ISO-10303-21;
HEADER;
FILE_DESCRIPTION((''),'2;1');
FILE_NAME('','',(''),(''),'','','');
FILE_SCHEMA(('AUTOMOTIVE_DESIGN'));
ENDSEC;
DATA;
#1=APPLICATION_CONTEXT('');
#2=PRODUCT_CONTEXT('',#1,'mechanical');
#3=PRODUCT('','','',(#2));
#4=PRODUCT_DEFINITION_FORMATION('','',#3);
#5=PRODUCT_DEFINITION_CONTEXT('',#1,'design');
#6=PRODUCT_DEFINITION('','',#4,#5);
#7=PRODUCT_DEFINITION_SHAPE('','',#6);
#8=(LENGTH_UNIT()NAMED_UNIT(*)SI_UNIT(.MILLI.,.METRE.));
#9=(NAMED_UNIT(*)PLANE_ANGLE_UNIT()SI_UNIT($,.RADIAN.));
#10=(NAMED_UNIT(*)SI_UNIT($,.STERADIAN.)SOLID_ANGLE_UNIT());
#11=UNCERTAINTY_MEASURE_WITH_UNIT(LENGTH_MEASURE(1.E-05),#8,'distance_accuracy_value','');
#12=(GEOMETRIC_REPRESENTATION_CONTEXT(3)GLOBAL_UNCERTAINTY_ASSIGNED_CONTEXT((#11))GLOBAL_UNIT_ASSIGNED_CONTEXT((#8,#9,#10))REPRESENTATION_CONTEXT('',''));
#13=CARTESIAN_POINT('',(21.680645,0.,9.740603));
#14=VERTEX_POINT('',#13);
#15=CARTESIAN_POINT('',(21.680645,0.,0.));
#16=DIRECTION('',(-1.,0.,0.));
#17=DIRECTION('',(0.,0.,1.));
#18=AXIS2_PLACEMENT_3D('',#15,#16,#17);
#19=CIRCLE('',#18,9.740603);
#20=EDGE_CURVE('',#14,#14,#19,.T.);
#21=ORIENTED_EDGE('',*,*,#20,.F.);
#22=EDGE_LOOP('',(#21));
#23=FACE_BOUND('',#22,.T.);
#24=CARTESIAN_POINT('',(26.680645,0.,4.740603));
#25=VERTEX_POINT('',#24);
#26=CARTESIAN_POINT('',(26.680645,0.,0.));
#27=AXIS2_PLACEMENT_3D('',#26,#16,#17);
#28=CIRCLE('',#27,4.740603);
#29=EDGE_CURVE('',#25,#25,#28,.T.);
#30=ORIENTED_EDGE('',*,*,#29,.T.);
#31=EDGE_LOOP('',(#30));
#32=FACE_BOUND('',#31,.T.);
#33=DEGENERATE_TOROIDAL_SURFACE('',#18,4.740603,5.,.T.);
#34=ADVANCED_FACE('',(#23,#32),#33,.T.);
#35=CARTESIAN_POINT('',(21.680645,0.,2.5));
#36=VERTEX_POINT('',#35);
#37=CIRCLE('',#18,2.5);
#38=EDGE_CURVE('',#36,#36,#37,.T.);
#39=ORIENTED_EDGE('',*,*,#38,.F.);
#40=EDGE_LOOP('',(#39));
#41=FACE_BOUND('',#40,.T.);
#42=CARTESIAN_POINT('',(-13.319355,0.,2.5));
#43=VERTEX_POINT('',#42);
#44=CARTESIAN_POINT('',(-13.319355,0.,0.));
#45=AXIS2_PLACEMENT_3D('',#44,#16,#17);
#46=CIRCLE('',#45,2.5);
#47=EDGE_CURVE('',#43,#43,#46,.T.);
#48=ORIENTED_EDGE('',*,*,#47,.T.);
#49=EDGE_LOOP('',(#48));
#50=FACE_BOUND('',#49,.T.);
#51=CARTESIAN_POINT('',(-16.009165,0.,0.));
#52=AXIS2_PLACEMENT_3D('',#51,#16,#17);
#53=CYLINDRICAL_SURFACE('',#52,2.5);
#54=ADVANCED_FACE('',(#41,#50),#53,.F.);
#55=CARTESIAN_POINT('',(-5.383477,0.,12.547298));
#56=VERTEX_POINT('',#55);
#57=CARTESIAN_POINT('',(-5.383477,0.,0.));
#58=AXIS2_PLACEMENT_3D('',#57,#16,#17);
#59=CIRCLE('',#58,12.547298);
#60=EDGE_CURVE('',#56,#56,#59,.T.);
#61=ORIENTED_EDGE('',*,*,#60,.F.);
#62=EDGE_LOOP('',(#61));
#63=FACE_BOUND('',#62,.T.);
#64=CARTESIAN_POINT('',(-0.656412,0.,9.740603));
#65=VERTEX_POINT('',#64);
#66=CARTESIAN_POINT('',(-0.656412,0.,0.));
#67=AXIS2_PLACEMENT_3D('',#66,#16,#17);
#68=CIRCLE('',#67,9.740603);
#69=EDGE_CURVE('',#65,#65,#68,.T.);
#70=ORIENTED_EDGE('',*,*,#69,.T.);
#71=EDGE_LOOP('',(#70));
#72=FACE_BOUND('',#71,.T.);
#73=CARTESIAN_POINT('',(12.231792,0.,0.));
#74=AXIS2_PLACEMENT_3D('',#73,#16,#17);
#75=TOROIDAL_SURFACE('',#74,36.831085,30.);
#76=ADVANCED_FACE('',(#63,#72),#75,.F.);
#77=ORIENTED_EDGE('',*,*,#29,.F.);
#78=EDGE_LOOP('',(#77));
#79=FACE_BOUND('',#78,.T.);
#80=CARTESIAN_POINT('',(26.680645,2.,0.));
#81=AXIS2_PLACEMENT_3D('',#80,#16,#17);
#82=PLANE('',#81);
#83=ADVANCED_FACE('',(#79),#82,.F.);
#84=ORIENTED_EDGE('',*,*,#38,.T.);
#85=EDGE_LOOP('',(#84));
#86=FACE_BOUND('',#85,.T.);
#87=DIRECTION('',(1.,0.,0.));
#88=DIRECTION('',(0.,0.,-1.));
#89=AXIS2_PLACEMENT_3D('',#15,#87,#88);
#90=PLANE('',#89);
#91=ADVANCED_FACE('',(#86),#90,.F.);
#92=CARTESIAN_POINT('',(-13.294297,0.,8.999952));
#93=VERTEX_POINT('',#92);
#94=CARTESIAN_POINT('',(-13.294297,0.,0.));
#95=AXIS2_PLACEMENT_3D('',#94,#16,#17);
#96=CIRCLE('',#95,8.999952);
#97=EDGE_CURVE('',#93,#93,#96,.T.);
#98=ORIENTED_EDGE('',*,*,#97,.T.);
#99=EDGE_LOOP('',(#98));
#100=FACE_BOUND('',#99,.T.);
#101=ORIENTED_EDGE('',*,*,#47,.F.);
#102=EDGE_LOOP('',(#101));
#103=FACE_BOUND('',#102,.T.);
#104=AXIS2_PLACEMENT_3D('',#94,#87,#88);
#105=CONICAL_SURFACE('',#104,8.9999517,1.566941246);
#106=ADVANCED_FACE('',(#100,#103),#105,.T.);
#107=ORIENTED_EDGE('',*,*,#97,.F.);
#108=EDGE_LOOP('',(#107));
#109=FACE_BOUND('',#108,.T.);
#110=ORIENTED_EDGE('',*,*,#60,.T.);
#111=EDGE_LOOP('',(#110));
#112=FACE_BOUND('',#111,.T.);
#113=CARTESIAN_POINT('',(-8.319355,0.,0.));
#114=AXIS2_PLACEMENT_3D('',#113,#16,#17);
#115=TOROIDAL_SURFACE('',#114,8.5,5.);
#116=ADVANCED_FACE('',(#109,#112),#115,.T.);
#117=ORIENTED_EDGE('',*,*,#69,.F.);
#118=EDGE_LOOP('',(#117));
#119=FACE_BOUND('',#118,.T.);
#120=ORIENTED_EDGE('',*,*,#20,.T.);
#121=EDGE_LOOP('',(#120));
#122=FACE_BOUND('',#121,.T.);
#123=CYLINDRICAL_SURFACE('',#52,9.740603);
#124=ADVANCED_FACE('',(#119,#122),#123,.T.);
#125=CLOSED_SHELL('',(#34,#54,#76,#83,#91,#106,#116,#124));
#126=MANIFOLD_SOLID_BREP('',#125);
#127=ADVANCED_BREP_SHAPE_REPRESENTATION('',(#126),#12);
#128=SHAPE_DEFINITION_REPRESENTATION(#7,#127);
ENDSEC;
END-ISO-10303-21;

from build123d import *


with BuildPart() as part:
    # Sketch1 → Revolve1 (revolve)
    with BuildSketch(Plane.XY):
        with BuildLine():
            Line((26.680645161, 2), (26.680645161, 0))
            Line((26.680645161, 0), (21.680645161, 0))
            Line((21.680645161, 0), (21.680645161, 2.5))
            Line((21.680645161, 2.5), (-13.319354839, 2.5))
            Line((-13.319354839, 2.5), (-13.294296878, 8.9999517))
            ThreePointArc((-13.294296878, 8.9999517), (-10.365170466, 13.062306261), (-5.383476734, 12.547297834))
            ThreePointArc((-5.383476734, 12.547297834), (-3.084370729, 11.035442519), (-0.656411636, 9.740602932))
            Line((-0.656411636, 9.740602932), (21.680645161, 9.740602932))
            ThreePointArc((21.680645161, 9.740602932), (25.216179067, 8.276136838), (26.680645161, 4.740602932))
            Line((26.680645161, 4.740602932), (26.680645161, 2))
        make_face()
    revolve(axis=Axis((-16.009165471, 0, 0), (1, 0, 0)))


solid = part.part
